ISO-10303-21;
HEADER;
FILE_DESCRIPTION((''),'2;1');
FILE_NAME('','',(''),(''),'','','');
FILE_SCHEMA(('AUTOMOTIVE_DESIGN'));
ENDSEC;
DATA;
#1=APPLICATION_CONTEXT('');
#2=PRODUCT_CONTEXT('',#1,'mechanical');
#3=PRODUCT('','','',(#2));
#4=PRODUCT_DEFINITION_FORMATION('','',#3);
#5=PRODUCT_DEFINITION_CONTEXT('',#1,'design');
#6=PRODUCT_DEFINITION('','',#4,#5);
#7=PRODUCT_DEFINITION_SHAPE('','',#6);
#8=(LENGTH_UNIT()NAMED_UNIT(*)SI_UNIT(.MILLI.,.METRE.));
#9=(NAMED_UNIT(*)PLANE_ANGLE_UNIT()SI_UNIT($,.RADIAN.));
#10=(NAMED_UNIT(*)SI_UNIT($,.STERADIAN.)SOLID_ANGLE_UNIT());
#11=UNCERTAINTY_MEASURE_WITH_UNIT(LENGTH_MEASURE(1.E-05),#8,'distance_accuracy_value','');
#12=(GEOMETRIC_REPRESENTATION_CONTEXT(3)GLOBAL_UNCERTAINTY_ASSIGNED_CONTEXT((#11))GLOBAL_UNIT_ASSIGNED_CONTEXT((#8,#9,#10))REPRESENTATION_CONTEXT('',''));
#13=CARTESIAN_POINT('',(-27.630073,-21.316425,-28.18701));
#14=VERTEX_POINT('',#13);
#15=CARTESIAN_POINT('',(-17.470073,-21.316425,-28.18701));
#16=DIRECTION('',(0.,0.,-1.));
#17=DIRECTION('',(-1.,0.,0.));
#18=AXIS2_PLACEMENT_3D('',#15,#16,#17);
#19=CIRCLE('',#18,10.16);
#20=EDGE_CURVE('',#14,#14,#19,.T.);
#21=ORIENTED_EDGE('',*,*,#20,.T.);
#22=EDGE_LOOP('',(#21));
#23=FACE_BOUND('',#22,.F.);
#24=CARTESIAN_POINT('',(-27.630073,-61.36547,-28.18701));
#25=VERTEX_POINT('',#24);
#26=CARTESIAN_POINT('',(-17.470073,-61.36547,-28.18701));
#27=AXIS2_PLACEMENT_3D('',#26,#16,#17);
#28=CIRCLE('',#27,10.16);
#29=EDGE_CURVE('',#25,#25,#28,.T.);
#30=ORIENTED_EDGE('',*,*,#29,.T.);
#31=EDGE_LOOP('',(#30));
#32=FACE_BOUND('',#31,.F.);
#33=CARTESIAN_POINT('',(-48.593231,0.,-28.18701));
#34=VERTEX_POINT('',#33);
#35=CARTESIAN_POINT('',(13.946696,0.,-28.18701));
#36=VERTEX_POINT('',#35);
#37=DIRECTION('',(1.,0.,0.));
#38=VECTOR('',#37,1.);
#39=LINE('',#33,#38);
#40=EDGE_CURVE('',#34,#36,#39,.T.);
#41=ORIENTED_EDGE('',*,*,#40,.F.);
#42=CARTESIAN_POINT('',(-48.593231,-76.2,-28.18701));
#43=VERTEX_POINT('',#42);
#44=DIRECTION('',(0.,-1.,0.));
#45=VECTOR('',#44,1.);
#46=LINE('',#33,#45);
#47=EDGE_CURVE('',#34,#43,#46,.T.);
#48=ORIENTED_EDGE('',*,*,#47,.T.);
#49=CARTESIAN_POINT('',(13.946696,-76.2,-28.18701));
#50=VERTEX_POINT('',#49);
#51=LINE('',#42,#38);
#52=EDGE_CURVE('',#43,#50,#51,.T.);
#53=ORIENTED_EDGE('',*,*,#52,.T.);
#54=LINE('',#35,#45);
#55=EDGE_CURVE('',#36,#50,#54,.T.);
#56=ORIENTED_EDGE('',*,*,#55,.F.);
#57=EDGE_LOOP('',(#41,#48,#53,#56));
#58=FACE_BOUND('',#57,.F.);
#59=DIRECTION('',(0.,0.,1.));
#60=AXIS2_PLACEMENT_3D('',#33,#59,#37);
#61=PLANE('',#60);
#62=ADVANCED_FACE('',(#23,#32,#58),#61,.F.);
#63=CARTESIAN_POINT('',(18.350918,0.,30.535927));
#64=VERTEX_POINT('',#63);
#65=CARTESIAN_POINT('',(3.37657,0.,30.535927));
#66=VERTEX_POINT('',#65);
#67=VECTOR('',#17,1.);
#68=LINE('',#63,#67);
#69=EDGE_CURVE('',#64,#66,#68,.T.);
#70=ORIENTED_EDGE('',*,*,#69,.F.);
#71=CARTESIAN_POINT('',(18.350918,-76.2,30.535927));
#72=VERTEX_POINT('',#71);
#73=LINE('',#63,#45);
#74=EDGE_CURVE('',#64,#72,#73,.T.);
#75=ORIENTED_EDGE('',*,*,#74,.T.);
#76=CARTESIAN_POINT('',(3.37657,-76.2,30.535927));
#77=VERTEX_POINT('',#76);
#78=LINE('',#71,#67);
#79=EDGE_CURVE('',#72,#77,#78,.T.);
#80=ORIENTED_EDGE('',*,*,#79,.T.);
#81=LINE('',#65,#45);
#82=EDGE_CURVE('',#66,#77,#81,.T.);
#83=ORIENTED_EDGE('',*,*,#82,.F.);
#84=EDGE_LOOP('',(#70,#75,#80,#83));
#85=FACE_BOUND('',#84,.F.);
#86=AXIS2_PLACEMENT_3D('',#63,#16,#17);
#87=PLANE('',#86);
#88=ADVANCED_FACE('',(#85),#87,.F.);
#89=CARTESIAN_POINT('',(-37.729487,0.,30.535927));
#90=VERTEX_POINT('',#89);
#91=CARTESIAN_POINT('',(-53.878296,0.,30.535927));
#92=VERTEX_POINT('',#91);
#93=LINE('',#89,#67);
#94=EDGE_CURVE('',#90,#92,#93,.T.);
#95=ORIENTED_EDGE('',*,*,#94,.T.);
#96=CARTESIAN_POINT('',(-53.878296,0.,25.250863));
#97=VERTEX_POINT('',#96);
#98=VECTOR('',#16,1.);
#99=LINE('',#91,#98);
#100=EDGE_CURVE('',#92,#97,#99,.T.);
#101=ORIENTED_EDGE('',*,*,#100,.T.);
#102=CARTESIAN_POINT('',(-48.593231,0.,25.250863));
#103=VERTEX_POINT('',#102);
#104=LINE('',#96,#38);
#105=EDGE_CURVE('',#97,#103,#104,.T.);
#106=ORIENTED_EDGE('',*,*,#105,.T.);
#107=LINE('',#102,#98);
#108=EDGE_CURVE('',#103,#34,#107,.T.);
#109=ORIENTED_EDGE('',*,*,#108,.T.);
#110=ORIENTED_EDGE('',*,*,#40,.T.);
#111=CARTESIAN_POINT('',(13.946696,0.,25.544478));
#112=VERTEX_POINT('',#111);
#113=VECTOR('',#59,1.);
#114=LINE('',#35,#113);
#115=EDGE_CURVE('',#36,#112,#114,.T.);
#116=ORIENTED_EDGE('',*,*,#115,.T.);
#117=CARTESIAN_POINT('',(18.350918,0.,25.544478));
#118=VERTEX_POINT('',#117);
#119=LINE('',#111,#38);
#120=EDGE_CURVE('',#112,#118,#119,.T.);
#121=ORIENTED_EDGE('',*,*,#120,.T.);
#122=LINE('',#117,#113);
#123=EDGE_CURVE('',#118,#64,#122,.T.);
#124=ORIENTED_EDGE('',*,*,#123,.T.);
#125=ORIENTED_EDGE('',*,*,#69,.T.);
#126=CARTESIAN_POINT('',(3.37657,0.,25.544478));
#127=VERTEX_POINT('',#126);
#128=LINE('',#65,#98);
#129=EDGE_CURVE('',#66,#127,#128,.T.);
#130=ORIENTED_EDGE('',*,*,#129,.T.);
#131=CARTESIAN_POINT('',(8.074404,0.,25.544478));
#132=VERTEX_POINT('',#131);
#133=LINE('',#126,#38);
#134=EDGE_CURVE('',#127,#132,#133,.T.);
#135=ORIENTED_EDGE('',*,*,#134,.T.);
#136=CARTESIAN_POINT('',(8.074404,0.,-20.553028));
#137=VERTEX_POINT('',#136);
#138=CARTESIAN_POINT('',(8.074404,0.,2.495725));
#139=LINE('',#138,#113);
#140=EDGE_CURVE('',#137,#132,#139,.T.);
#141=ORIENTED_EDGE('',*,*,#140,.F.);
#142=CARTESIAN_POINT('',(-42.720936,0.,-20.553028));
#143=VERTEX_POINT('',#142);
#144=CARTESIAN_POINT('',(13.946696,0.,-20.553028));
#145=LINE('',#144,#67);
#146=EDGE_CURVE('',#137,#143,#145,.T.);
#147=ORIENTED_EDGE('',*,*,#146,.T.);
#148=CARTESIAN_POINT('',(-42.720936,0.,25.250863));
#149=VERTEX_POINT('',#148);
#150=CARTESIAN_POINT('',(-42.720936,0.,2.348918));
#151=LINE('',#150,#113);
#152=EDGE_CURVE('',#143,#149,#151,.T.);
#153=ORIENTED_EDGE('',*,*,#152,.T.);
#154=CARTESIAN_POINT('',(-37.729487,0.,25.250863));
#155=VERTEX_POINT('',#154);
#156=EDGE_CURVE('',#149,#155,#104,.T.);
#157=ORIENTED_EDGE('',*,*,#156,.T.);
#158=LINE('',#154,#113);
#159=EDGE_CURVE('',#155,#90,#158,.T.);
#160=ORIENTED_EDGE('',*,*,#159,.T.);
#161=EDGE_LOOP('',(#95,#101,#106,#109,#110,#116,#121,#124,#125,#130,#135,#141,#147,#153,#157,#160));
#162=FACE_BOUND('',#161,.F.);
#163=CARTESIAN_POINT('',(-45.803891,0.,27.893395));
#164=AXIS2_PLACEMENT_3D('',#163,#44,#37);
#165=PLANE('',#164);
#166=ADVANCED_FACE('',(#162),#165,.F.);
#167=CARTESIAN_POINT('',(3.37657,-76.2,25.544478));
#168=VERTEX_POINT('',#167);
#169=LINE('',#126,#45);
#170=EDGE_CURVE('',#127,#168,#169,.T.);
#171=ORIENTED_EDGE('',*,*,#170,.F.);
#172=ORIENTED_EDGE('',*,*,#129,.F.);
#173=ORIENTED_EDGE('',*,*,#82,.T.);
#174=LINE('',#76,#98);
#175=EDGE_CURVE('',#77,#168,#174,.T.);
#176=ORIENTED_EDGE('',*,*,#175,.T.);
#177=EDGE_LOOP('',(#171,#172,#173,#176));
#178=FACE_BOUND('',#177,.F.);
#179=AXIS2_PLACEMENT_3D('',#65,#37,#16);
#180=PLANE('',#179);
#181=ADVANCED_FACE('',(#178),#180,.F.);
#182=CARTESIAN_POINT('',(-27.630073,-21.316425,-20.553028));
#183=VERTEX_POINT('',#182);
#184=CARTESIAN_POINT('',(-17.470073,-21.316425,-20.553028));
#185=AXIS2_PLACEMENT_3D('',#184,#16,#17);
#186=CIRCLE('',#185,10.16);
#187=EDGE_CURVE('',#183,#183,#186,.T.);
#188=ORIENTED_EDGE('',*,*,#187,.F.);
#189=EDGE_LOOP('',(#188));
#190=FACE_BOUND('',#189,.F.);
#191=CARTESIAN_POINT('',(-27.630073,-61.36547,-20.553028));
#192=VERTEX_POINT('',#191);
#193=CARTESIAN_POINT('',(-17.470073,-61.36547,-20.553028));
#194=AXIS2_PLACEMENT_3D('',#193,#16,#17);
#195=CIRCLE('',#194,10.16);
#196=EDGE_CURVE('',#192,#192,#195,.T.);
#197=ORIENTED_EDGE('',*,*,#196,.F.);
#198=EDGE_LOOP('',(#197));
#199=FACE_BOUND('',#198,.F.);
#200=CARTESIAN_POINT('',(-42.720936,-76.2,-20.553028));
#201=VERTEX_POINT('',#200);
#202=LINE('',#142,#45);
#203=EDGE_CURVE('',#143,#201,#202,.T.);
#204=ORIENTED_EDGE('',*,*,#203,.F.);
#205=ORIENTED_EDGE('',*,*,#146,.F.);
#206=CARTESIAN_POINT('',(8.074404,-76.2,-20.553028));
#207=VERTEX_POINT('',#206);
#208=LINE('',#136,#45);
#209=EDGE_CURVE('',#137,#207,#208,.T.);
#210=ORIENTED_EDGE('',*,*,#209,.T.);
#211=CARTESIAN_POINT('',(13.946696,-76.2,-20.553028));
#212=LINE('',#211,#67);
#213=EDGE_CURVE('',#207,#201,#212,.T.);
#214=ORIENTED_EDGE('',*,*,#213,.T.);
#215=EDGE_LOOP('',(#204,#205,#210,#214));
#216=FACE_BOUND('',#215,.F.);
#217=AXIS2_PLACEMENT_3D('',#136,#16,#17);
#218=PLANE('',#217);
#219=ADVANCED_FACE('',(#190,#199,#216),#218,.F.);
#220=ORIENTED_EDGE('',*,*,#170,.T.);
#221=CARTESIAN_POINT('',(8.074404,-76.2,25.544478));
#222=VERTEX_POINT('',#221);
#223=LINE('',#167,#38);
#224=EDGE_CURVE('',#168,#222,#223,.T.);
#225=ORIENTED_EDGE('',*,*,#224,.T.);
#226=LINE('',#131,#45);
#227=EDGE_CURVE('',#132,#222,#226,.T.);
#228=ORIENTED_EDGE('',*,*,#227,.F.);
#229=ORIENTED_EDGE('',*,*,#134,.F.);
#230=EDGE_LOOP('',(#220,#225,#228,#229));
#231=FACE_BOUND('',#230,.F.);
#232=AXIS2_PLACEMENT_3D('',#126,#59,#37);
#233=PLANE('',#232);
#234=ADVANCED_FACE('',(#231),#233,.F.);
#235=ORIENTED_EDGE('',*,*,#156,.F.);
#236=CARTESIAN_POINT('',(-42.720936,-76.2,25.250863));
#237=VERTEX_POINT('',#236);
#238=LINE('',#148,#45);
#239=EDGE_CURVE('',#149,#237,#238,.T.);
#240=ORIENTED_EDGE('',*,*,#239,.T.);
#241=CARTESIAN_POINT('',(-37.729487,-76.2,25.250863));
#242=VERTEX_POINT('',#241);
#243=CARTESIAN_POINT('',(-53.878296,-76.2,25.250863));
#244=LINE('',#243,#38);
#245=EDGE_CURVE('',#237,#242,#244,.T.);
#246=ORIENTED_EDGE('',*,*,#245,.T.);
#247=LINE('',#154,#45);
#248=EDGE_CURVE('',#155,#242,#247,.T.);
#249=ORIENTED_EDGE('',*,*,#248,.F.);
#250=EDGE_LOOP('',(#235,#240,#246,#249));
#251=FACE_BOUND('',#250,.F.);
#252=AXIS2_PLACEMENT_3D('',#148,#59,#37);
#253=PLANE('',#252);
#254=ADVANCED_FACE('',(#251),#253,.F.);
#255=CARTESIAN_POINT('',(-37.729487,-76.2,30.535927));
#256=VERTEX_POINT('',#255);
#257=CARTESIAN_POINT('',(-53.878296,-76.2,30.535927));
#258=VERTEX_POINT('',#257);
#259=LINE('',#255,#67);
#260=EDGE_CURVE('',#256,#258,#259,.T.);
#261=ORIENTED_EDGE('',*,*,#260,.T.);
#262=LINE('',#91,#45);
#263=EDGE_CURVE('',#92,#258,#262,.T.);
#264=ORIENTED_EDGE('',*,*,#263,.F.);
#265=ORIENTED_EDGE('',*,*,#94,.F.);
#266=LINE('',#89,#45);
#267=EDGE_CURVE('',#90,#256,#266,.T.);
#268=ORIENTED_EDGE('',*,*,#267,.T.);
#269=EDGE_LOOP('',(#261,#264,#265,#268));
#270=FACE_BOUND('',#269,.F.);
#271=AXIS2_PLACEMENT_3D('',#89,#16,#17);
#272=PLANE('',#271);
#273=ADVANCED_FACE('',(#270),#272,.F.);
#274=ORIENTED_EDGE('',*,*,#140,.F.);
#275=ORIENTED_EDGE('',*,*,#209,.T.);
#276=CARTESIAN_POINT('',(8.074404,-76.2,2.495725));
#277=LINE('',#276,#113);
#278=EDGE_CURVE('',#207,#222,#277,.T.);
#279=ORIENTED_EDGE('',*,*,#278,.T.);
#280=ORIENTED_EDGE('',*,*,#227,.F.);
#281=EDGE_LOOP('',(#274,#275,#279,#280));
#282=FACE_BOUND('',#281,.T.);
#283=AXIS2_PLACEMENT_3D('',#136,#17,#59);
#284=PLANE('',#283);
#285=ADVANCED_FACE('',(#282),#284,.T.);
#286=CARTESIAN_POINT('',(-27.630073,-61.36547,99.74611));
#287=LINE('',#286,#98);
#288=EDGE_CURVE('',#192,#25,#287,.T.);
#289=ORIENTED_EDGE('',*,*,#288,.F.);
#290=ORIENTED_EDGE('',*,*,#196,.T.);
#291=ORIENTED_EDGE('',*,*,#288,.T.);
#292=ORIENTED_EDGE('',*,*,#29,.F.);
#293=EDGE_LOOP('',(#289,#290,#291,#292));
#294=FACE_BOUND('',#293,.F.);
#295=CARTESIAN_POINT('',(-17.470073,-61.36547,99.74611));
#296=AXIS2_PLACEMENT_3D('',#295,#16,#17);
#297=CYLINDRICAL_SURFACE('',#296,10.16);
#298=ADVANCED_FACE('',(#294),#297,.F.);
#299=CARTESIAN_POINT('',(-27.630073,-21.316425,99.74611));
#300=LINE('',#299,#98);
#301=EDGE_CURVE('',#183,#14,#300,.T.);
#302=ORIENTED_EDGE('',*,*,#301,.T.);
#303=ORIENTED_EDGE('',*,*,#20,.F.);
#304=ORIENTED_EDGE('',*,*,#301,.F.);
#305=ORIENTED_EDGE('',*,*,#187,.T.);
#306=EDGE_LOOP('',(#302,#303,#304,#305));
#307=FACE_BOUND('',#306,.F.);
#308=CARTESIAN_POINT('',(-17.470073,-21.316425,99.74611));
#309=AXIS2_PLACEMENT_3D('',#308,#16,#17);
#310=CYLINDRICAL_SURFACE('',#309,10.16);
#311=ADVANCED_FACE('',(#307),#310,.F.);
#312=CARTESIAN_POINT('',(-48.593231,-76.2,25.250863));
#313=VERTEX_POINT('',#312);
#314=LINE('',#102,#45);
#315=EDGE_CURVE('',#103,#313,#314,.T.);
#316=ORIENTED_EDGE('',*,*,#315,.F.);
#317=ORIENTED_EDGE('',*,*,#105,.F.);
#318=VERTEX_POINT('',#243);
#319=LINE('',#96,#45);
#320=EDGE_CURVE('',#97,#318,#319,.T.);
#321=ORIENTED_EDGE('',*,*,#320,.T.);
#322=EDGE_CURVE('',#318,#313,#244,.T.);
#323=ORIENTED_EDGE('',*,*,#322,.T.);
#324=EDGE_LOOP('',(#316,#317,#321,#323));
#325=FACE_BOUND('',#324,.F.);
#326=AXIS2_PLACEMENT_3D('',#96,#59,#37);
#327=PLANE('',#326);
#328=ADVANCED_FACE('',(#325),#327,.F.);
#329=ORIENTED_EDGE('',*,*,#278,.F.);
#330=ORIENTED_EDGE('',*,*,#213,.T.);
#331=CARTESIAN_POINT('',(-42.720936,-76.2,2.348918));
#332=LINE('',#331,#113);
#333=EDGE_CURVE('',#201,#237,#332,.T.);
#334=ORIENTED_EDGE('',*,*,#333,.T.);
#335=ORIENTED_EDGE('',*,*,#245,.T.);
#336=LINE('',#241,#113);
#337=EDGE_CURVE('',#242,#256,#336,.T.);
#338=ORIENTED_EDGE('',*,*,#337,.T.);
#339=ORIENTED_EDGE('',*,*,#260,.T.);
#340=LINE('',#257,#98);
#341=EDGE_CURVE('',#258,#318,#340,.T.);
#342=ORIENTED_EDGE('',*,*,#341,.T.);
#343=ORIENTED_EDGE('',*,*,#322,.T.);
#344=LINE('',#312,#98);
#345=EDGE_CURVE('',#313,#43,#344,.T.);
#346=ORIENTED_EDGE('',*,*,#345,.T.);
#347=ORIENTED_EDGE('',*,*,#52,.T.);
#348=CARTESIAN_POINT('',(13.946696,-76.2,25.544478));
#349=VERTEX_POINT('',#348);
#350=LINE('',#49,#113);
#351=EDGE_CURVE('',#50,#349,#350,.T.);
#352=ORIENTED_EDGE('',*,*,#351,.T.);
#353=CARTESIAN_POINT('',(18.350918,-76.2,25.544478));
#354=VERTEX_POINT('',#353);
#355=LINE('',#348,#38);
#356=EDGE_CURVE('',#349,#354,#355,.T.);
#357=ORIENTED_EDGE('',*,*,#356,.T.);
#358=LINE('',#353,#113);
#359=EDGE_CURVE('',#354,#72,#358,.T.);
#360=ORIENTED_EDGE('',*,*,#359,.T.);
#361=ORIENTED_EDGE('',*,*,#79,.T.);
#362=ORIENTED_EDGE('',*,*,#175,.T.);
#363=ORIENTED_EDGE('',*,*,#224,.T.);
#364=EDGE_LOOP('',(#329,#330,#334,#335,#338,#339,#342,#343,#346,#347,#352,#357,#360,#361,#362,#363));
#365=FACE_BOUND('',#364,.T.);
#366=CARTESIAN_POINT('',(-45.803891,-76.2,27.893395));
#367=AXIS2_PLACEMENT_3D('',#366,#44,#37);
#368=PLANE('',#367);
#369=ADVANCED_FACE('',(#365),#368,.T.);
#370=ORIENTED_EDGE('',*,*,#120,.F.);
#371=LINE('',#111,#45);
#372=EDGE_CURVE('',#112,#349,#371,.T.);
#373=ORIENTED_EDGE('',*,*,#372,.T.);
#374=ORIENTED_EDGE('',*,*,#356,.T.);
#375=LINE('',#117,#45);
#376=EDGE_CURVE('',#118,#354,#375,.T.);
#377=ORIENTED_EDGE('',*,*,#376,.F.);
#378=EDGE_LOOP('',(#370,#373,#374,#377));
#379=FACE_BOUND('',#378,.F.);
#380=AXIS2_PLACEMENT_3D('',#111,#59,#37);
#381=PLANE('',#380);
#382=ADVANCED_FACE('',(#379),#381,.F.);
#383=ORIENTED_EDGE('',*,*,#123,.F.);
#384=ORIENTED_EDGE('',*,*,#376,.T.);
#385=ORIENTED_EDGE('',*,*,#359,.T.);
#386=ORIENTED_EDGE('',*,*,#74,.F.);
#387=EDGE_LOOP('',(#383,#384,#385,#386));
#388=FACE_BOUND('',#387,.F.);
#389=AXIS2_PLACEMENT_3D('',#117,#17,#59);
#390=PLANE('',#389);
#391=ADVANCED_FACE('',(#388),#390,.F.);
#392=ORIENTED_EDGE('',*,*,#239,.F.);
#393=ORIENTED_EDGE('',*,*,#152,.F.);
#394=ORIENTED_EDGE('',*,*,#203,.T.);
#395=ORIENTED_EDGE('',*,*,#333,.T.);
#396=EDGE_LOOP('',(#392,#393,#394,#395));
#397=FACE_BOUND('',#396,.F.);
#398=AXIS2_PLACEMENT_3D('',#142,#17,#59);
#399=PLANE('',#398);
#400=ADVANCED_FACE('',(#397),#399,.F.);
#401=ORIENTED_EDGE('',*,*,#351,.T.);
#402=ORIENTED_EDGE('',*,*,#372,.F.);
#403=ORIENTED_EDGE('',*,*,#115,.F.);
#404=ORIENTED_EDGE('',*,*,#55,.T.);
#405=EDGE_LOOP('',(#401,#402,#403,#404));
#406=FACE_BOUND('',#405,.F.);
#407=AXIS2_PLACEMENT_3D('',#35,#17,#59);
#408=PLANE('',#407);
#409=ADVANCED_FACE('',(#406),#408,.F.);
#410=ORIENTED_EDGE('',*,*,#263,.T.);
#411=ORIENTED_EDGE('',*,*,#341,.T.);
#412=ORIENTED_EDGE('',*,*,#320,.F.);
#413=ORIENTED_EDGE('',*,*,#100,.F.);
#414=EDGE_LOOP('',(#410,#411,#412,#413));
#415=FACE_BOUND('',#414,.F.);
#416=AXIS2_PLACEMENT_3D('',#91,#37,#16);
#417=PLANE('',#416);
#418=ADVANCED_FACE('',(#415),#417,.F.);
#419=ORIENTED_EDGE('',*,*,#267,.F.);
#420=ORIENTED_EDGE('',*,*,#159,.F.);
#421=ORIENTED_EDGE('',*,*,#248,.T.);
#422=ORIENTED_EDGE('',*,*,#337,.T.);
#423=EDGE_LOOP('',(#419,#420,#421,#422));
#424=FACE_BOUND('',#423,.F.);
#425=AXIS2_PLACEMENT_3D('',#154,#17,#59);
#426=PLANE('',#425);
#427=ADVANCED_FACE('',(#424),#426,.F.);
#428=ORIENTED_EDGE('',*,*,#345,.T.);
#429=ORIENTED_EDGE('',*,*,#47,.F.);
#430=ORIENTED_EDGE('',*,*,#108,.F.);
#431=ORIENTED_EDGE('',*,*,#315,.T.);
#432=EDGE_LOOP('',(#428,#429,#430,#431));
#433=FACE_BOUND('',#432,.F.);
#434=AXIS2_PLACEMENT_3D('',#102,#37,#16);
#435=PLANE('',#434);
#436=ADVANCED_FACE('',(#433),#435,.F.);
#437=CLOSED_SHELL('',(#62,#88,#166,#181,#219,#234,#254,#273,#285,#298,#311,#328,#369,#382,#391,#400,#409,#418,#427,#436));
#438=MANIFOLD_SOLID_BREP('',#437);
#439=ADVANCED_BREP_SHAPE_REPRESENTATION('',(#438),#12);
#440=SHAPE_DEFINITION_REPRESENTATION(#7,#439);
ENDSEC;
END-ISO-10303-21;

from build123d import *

# Parameters (mm, degrees)
F0_W     = 5.8722943068
F0_H     = 45.8038914949
F0_W_2   = 5.8722924441
F0_H_2   = 46.0975058377
F1_DEPTH = 76.2
F3_D     = 20.32


with BuildPart() as f1:
    # F0 (on Front) → F1 (new body)
    with BuildSketch(Plane.XZ):
        Polygon((-37.7294868231, 30.5359270424), (-53.8782961667, 30.5359270424), (-53.8782961667, 25.2508632839), (-48.5932305455, 25.2508632839), (-42.7209362388, 25.2508632839), (-37.7294868231, 25.2508632839), align=None)
        with Locations((-45.6570833921, 2.3489175364)):
            Rectangle(F0_W, F0_H)
        Polygon((-42.7209362388, -20.553028211), (-48.5932305455, -20.553028211), (-48.5932305455, -28.1870104373), (13.9466961846, -28.1870104373), (13.9466961846, -20.553028211), (8.0744037405, -20.553028211), align=None)
        with Locations((11.0105499625, 2.4957247078)):
            Rectangle(F0_W_2, F0_H_2)
        Polygon((3.3765700646, 25.5444776267), (8.0744037405, 25.5444776267), (13.9466961846, 25.5444776267), (18.350917846, 25.5444776267), (18.350917846, 30.5359270424), (3.3765700646, 30.5359270424), align=None)
    extrude(amount=F1_DEPTH)

    # F3 (through all)
    with Locations(Plane.XY.offset(-20.553028211)):
        with Locations((-17.4700734206, -21.3164253719), (-17.4700734206, -61.3654702902)):
            Hole(F3_D / 2)


solid = f1.part
